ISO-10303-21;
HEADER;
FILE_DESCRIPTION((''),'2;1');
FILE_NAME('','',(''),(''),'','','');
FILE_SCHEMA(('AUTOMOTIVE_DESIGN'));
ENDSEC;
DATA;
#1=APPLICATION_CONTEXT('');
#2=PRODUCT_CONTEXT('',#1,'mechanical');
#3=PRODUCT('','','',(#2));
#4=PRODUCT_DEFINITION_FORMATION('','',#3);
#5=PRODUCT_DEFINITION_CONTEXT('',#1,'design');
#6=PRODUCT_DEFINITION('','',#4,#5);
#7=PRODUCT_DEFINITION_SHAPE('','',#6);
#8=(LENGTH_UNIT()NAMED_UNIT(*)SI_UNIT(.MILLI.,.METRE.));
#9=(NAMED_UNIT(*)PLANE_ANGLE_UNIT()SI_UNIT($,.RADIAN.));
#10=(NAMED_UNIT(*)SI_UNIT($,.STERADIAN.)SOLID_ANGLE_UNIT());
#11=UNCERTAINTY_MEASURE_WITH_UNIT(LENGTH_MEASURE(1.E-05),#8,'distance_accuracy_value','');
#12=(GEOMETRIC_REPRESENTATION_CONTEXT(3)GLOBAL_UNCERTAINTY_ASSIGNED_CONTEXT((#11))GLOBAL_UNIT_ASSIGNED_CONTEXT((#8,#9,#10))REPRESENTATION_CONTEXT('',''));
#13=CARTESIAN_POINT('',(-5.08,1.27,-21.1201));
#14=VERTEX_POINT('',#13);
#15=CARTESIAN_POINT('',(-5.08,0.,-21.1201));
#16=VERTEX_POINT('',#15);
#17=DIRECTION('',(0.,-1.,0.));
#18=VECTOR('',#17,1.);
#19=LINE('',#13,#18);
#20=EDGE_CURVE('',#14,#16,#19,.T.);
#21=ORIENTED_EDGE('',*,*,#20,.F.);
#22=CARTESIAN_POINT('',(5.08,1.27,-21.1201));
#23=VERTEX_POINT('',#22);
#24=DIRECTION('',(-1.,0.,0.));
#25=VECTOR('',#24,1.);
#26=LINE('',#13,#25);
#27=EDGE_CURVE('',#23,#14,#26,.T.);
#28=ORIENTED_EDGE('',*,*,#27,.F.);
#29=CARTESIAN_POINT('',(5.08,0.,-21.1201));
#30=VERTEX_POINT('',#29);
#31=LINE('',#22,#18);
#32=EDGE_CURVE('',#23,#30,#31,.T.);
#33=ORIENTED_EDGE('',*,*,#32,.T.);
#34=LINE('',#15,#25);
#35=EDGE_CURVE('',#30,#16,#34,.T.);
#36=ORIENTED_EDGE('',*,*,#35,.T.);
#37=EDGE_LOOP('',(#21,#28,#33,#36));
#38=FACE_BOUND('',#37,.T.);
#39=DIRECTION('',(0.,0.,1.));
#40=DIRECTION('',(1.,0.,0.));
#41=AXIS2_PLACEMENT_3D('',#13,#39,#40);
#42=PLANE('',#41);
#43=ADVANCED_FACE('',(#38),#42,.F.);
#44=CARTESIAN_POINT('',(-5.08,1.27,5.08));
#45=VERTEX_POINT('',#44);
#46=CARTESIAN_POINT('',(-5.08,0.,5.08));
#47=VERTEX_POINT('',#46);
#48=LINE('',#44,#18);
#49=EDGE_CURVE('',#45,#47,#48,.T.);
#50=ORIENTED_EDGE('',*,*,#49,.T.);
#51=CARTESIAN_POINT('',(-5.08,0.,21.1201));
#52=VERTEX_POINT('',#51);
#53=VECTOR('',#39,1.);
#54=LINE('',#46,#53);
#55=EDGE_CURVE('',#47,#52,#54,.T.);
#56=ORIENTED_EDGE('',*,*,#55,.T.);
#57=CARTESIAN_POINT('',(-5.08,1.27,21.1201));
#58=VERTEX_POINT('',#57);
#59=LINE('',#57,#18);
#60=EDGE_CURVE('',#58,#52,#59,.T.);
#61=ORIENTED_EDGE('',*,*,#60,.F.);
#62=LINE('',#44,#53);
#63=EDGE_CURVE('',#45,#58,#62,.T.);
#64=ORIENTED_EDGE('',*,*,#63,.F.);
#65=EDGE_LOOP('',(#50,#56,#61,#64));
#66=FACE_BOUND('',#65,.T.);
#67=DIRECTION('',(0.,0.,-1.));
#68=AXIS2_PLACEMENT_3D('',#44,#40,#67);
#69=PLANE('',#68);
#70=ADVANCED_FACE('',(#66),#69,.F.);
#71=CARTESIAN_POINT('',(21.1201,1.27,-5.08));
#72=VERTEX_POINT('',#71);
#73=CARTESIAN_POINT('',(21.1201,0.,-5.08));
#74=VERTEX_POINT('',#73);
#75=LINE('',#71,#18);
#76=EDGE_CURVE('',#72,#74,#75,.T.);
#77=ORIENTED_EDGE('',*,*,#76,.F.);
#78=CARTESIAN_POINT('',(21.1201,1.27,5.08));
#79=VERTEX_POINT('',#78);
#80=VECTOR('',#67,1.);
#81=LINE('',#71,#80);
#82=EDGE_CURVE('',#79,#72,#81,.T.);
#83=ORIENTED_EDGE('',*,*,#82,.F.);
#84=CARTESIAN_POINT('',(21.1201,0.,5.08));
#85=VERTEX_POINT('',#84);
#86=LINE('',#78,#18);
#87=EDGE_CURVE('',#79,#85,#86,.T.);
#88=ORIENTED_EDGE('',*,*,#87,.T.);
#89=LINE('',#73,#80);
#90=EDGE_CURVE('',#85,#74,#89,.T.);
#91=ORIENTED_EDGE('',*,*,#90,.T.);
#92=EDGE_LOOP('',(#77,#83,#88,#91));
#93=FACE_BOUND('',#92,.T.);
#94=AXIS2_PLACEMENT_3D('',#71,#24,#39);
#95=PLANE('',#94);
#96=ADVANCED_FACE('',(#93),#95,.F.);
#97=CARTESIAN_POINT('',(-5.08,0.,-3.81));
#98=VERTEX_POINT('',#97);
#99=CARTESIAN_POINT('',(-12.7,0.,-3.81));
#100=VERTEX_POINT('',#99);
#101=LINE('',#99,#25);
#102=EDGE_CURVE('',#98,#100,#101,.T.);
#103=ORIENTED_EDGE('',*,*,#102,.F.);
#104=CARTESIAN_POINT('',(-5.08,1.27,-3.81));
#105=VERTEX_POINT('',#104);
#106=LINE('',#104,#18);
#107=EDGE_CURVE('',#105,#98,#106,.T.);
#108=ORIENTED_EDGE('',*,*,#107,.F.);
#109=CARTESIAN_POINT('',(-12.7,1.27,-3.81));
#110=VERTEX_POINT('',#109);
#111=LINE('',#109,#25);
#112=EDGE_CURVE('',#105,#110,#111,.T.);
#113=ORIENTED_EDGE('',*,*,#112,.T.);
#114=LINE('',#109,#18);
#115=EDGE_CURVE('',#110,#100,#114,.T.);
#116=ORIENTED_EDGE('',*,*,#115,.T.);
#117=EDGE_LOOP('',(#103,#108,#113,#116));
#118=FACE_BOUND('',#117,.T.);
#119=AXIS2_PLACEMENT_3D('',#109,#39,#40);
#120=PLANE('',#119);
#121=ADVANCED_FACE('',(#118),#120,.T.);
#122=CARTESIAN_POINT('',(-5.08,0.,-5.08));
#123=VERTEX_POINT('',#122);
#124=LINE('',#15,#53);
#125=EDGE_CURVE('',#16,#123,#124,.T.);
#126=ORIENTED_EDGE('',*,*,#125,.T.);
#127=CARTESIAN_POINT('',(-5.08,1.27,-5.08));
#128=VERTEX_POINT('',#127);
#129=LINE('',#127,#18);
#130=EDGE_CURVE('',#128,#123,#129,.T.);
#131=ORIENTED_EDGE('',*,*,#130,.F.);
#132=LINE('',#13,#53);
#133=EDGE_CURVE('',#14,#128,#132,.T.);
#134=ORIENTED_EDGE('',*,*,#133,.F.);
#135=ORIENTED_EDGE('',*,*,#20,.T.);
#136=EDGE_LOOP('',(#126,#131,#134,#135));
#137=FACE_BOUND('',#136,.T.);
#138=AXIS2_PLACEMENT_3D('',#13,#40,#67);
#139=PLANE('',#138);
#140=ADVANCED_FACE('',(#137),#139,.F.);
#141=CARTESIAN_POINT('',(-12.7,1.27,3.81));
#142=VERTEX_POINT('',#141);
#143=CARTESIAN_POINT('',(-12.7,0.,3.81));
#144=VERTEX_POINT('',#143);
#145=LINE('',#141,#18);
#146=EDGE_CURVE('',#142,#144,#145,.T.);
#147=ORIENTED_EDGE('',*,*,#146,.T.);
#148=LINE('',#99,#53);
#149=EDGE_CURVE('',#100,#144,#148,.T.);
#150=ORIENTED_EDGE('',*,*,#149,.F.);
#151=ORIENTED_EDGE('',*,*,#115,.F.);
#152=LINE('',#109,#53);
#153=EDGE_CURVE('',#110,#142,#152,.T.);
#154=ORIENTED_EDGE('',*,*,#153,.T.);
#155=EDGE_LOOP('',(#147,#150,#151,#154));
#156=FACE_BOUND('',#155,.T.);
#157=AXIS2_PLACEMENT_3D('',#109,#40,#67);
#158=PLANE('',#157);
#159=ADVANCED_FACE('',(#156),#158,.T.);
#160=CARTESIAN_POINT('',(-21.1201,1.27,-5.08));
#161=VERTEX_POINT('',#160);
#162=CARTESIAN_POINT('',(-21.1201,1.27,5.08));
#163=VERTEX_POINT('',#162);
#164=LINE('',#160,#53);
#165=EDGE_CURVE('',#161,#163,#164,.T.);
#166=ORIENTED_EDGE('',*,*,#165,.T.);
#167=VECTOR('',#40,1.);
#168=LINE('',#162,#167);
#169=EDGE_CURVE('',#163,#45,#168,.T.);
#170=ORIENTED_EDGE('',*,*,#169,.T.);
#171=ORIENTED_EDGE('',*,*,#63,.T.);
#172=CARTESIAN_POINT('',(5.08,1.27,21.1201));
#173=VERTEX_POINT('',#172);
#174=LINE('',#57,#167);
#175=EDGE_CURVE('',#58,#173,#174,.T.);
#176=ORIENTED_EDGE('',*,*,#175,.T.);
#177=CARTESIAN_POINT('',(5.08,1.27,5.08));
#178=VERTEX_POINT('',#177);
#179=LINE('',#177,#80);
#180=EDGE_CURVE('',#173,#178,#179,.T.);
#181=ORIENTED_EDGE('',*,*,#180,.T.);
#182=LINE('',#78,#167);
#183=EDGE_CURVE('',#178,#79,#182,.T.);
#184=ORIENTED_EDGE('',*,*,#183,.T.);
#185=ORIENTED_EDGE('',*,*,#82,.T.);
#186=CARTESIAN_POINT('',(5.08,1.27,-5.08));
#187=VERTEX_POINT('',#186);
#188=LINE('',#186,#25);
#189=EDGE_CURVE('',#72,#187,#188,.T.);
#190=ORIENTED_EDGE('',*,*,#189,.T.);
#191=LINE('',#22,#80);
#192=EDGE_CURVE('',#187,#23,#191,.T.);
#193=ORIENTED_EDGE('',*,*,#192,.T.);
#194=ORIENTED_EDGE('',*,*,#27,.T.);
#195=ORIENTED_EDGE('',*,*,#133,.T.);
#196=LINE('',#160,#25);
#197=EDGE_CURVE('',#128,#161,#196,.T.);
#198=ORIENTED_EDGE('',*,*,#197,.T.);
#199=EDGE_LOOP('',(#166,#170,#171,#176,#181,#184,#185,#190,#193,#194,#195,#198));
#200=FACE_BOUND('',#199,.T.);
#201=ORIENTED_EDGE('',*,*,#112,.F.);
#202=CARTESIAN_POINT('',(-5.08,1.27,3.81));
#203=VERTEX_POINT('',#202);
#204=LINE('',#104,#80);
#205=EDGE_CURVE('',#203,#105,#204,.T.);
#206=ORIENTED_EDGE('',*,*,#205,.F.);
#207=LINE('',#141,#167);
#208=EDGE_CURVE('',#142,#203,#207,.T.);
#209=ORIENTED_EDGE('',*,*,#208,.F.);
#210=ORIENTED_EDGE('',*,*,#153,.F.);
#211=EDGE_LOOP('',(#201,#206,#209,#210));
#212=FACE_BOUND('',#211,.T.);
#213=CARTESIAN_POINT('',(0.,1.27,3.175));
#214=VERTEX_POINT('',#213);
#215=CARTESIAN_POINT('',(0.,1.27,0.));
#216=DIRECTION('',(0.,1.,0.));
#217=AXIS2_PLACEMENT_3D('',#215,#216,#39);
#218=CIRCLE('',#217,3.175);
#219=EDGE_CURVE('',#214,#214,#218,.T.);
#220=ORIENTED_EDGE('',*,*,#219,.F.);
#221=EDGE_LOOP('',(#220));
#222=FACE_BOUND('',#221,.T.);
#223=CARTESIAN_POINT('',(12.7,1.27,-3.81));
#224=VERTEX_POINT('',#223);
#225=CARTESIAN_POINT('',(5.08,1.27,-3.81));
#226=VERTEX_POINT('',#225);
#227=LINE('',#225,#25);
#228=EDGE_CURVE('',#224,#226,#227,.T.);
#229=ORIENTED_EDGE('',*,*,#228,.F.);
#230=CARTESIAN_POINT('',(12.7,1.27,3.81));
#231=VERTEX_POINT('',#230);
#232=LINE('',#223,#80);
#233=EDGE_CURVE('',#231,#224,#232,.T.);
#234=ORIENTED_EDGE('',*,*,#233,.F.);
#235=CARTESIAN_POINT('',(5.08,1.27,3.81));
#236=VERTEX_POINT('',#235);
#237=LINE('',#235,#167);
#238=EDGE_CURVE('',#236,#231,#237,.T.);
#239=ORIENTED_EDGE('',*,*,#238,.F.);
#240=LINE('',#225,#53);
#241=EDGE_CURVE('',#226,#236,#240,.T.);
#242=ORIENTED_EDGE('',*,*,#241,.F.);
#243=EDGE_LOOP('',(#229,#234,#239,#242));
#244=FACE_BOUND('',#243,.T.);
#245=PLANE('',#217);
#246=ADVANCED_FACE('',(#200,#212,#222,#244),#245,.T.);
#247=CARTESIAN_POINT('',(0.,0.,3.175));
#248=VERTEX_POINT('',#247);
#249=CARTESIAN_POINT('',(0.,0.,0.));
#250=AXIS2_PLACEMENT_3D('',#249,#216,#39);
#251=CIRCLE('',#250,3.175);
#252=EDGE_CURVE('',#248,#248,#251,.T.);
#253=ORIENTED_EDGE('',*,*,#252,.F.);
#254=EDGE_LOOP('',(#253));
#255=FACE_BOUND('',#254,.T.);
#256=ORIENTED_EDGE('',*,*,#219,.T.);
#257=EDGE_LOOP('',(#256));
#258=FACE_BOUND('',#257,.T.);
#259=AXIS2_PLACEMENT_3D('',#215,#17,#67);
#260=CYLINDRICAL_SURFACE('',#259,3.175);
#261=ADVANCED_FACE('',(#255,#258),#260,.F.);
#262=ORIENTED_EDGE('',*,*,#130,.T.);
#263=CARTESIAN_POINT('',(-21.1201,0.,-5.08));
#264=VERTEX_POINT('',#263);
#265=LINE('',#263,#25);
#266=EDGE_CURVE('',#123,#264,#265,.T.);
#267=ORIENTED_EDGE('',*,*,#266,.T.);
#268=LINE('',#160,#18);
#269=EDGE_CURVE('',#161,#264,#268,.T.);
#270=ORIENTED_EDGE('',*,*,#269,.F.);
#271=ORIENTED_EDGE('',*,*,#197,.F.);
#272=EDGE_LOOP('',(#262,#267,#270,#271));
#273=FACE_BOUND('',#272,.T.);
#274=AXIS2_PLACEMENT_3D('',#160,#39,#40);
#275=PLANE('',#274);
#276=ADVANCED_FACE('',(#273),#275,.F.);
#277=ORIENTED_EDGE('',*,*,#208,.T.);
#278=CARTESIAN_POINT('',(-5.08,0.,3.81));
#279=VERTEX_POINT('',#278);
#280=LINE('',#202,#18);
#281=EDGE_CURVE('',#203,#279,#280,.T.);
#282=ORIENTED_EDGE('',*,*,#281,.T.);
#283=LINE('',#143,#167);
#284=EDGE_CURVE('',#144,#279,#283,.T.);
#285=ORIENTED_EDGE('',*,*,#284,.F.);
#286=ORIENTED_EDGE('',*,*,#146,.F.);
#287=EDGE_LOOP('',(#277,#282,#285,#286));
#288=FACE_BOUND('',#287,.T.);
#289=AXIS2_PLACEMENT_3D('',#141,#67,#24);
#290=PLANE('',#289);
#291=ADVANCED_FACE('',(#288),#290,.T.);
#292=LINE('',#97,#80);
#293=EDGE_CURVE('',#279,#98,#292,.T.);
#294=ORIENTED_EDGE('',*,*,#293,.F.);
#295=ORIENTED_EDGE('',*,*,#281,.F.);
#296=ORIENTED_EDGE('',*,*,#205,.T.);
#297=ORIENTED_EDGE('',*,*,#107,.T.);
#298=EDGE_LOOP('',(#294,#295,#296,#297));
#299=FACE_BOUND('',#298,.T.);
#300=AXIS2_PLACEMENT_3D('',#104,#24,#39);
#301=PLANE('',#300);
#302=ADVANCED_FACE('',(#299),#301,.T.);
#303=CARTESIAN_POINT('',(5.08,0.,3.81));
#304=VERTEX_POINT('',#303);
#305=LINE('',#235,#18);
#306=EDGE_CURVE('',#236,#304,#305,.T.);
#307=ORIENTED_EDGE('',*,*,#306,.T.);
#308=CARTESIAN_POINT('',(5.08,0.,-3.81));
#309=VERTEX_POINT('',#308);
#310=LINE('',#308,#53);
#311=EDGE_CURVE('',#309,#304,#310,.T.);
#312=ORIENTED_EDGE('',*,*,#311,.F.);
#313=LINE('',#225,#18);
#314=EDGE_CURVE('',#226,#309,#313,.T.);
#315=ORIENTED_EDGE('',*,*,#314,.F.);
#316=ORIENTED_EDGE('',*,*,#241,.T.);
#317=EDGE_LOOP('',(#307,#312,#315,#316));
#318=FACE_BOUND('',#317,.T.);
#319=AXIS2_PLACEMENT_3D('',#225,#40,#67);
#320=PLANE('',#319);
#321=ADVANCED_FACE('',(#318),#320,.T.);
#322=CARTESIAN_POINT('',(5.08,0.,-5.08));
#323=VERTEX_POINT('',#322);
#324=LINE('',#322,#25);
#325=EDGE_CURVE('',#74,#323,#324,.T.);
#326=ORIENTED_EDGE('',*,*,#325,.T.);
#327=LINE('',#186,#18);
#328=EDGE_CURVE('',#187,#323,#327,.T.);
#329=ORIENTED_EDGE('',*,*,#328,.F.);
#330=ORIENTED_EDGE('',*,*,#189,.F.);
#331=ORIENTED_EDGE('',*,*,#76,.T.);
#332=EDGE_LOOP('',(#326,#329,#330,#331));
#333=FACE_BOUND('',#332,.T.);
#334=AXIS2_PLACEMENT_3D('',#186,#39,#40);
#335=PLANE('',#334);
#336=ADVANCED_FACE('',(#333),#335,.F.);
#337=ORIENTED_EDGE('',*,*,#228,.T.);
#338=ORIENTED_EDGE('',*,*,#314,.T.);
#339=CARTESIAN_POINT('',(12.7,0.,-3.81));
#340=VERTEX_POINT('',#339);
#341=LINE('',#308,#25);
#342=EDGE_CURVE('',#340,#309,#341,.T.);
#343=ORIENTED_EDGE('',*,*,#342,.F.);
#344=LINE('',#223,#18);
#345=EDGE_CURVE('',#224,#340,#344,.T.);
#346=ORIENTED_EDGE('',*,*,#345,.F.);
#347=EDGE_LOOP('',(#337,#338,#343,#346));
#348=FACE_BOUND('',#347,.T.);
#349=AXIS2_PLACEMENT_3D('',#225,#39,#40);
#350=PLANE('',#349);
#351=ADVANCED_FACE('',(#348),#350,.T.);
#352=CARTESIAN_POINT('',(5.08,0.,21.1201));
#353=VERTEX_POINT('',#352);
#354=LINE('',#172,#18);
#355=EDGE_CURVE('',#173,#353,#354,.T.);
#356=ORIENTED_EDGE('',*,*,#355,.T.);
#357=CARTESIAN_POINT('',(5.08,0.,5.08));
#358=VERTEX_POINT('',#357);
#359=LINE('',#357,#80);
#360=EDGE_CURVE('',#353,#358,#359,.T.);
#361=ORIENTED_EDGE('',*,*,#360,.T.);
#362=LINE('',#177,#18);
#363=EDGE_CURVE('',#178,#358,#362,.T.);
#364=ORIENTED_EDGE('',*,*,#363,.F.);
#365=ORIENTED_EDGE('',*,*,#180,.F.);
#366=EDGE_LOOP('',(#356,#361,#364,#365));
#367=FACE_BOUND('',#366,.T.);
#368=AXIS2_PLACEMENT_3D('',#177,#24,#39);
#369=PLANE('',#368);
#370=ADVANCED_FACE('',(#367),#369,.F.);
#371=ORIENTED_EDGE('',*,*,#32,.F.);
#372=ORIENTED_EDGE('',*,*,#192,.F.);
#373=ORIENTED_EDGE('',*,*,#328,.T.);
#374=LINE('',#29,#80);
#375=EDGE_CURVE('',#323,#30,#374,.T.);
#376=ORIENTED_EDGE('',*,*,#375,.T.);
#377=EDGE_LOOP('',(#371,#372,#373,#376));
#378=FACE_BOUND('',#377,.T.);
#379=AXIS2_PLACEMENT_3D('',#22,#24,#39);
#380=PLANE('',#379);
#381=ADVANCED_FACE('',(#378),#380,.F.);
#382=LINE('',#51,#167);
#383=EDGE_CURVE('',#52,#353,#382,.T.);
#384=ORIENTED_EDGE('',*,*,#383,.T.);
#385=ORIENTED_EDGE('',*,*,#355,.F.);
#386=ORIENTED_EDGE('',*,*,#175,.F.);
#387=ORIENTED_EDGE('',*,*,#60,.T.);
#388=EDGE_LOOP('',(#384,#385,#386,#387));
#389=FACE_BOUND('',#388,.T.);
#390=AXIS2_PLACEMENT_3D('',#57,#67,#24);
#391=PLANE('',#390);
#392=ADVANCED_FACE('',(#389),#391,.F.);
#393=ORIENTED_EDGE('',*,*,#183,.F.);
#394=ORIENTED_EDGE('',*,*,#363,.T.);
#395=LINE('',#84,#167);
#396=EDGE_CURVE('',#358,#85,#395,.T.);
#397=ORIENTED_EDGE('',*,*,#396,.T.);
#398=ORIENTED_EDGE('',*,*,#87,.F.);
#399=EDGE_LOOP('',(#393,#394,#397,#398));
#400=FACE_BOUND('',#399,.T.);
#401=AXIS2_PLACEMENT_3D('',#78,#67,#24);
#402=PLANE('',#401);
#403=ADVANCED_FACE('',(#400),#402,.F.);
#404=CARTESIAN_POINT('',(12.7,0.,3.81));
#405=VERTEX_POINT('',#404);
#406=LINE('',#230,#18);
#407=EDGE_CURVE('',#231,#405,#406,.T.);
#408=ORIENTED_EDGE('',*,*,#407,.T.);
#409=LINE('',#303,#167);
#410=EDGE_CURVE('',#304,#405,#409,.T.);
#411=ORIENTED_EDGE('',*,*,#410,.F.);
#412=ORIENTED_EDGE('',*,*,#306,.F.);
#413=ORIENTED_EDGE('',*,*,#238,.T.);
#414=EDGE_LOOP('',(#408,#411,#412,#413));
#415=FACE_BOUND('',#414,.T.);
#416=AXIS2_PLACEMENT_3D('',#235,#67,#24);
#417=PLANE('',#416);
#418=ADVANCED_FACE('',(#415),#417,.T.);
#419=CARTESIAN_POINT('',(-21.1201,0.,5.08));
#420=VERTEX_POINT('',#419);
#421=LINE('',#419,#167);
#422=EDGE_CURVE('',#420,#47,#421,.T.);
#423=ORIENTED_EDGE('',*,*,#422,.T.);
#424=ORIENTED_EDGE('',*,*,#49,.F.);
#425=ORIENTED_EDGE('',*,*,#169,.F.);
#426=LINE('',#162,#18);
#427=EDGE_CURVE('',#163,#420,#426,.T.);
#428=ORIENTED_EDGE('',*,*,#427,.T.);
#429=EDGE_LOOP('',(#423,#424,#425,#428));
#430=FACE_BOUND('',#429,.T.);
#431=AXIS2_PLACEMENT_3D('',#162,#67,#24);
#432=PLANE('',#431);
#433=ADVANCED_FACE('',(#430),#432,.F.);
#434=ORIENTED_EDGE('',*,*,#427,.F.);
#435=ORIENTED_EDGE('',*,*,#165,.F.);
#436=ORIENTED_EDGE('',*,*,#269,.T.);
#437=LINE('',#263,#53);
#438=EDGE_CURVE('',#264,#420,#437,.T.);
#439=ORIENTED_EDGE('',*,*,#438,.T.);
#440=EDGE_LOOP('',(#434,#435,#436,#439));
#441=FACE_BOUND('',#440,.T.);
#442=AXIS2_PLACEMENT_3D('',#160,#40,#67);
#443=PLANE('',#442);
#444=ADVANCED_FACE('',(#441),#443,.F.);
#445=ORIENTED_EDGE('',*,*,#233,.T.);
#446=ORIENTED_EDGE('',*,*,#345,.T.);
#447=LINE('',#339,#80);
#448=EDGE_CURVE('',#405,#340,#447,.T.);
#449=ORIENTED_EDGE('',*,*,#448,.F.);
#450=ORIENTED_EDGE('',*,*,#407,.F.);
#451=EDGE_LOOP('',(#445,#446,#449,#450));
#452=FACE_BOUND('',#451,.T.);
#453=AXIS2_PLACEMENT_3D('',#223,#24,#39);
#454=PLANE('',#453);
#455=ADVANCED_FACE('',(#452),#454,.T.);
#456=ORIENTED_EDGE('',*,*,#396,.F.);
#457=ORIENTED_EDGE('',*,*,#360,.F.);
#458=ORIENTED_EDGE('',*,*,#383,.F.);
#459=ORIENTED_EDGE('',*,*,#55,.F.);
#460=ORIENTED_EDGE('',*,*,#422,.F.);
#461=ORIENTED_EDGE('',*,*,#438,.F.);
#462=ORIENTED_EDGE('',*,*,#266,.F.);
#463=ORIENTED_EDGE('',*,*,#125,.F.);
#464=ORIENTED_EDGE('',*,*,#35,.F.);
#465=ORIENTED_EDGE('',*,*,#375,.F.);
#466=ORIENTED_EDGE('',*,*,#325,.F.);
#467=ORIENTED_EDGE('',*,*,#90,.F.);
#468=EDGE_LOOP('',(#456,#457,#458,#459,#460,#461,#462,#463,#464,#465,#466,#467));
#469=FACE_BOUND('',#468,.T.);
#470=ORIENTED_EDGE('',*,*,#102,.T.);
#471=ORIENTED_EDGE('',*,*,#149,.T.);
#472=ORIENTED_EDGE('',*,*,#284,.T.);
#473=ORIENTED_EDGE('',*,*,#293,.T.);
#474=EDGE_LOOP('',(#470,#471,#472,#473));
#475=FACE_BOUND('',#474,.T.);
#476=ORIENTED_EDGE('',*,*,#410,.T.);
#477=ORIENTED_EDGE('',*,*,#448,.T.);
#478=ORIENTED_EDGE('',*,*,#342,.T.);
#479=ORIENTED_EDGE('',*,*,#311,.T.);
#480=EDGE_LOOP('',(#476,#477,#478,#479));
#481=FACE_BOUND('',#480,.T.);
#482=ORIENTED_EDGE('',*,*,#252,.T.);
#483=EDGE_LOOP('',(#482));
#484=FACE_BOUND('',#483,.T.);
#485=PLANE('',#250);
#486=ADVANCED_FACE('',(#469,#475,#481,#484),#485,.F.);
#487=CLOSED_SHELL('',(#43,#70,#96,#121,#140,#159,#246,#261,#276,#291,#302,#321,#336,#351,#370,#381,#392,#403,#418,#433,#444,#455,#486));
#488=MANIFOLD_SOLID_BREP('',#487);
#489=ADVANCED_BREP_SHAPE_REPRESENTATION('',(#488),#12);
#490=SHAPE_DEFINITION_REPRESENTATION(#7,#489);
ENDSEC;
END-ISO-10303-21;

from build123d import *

# Parameters (mm, degrees)
SKETCH2_R           = 3.175
SKETCH2_W           = 7.62
SKETCH2_H           = 7.62
BOSS_EXTRUDE2_DEPTH = 1.27


with BuildPart() as part:
    # Sketch2 → Boss-Extrude2 (new body)
    with BuildSketch(Plane(origin=(0, 0, 0), x_dir=(1, 0, 0), z_dir=(0, 1, 0))):
        Polygon((-21.1201, -5.08), (-5.08, -5.08), (-5.08, -21.1201), (5.08, -21.1201), (5.08, -5.08), (21.1201, -5.08), (21.1201, 5.08), (5.08, 5.08), (5.08, 21.1201), (-5.08, 21.1201), (-5.08, 5.08), (-21.1201, 5.08), align=None)
        with Locations(Location((0, 0, 0), (0, 0, 270))):
            Circle(SKETCH2_R, mode=Mode.SUBTRACT)
        with Locations((8.89, 0)):
            Rectangle(SKETCH2_W, SKETCH2_H, mode=Mode.SUBTRACT)
        with Locations((-8.89, 0)):
            Rectangle(SKETCH2_W, SKETCH2_H, mode=Mode.SUBTRACT)
    extrude(amount=BOSS_EXTRUDE2_DEPTH)


solid = part.part
